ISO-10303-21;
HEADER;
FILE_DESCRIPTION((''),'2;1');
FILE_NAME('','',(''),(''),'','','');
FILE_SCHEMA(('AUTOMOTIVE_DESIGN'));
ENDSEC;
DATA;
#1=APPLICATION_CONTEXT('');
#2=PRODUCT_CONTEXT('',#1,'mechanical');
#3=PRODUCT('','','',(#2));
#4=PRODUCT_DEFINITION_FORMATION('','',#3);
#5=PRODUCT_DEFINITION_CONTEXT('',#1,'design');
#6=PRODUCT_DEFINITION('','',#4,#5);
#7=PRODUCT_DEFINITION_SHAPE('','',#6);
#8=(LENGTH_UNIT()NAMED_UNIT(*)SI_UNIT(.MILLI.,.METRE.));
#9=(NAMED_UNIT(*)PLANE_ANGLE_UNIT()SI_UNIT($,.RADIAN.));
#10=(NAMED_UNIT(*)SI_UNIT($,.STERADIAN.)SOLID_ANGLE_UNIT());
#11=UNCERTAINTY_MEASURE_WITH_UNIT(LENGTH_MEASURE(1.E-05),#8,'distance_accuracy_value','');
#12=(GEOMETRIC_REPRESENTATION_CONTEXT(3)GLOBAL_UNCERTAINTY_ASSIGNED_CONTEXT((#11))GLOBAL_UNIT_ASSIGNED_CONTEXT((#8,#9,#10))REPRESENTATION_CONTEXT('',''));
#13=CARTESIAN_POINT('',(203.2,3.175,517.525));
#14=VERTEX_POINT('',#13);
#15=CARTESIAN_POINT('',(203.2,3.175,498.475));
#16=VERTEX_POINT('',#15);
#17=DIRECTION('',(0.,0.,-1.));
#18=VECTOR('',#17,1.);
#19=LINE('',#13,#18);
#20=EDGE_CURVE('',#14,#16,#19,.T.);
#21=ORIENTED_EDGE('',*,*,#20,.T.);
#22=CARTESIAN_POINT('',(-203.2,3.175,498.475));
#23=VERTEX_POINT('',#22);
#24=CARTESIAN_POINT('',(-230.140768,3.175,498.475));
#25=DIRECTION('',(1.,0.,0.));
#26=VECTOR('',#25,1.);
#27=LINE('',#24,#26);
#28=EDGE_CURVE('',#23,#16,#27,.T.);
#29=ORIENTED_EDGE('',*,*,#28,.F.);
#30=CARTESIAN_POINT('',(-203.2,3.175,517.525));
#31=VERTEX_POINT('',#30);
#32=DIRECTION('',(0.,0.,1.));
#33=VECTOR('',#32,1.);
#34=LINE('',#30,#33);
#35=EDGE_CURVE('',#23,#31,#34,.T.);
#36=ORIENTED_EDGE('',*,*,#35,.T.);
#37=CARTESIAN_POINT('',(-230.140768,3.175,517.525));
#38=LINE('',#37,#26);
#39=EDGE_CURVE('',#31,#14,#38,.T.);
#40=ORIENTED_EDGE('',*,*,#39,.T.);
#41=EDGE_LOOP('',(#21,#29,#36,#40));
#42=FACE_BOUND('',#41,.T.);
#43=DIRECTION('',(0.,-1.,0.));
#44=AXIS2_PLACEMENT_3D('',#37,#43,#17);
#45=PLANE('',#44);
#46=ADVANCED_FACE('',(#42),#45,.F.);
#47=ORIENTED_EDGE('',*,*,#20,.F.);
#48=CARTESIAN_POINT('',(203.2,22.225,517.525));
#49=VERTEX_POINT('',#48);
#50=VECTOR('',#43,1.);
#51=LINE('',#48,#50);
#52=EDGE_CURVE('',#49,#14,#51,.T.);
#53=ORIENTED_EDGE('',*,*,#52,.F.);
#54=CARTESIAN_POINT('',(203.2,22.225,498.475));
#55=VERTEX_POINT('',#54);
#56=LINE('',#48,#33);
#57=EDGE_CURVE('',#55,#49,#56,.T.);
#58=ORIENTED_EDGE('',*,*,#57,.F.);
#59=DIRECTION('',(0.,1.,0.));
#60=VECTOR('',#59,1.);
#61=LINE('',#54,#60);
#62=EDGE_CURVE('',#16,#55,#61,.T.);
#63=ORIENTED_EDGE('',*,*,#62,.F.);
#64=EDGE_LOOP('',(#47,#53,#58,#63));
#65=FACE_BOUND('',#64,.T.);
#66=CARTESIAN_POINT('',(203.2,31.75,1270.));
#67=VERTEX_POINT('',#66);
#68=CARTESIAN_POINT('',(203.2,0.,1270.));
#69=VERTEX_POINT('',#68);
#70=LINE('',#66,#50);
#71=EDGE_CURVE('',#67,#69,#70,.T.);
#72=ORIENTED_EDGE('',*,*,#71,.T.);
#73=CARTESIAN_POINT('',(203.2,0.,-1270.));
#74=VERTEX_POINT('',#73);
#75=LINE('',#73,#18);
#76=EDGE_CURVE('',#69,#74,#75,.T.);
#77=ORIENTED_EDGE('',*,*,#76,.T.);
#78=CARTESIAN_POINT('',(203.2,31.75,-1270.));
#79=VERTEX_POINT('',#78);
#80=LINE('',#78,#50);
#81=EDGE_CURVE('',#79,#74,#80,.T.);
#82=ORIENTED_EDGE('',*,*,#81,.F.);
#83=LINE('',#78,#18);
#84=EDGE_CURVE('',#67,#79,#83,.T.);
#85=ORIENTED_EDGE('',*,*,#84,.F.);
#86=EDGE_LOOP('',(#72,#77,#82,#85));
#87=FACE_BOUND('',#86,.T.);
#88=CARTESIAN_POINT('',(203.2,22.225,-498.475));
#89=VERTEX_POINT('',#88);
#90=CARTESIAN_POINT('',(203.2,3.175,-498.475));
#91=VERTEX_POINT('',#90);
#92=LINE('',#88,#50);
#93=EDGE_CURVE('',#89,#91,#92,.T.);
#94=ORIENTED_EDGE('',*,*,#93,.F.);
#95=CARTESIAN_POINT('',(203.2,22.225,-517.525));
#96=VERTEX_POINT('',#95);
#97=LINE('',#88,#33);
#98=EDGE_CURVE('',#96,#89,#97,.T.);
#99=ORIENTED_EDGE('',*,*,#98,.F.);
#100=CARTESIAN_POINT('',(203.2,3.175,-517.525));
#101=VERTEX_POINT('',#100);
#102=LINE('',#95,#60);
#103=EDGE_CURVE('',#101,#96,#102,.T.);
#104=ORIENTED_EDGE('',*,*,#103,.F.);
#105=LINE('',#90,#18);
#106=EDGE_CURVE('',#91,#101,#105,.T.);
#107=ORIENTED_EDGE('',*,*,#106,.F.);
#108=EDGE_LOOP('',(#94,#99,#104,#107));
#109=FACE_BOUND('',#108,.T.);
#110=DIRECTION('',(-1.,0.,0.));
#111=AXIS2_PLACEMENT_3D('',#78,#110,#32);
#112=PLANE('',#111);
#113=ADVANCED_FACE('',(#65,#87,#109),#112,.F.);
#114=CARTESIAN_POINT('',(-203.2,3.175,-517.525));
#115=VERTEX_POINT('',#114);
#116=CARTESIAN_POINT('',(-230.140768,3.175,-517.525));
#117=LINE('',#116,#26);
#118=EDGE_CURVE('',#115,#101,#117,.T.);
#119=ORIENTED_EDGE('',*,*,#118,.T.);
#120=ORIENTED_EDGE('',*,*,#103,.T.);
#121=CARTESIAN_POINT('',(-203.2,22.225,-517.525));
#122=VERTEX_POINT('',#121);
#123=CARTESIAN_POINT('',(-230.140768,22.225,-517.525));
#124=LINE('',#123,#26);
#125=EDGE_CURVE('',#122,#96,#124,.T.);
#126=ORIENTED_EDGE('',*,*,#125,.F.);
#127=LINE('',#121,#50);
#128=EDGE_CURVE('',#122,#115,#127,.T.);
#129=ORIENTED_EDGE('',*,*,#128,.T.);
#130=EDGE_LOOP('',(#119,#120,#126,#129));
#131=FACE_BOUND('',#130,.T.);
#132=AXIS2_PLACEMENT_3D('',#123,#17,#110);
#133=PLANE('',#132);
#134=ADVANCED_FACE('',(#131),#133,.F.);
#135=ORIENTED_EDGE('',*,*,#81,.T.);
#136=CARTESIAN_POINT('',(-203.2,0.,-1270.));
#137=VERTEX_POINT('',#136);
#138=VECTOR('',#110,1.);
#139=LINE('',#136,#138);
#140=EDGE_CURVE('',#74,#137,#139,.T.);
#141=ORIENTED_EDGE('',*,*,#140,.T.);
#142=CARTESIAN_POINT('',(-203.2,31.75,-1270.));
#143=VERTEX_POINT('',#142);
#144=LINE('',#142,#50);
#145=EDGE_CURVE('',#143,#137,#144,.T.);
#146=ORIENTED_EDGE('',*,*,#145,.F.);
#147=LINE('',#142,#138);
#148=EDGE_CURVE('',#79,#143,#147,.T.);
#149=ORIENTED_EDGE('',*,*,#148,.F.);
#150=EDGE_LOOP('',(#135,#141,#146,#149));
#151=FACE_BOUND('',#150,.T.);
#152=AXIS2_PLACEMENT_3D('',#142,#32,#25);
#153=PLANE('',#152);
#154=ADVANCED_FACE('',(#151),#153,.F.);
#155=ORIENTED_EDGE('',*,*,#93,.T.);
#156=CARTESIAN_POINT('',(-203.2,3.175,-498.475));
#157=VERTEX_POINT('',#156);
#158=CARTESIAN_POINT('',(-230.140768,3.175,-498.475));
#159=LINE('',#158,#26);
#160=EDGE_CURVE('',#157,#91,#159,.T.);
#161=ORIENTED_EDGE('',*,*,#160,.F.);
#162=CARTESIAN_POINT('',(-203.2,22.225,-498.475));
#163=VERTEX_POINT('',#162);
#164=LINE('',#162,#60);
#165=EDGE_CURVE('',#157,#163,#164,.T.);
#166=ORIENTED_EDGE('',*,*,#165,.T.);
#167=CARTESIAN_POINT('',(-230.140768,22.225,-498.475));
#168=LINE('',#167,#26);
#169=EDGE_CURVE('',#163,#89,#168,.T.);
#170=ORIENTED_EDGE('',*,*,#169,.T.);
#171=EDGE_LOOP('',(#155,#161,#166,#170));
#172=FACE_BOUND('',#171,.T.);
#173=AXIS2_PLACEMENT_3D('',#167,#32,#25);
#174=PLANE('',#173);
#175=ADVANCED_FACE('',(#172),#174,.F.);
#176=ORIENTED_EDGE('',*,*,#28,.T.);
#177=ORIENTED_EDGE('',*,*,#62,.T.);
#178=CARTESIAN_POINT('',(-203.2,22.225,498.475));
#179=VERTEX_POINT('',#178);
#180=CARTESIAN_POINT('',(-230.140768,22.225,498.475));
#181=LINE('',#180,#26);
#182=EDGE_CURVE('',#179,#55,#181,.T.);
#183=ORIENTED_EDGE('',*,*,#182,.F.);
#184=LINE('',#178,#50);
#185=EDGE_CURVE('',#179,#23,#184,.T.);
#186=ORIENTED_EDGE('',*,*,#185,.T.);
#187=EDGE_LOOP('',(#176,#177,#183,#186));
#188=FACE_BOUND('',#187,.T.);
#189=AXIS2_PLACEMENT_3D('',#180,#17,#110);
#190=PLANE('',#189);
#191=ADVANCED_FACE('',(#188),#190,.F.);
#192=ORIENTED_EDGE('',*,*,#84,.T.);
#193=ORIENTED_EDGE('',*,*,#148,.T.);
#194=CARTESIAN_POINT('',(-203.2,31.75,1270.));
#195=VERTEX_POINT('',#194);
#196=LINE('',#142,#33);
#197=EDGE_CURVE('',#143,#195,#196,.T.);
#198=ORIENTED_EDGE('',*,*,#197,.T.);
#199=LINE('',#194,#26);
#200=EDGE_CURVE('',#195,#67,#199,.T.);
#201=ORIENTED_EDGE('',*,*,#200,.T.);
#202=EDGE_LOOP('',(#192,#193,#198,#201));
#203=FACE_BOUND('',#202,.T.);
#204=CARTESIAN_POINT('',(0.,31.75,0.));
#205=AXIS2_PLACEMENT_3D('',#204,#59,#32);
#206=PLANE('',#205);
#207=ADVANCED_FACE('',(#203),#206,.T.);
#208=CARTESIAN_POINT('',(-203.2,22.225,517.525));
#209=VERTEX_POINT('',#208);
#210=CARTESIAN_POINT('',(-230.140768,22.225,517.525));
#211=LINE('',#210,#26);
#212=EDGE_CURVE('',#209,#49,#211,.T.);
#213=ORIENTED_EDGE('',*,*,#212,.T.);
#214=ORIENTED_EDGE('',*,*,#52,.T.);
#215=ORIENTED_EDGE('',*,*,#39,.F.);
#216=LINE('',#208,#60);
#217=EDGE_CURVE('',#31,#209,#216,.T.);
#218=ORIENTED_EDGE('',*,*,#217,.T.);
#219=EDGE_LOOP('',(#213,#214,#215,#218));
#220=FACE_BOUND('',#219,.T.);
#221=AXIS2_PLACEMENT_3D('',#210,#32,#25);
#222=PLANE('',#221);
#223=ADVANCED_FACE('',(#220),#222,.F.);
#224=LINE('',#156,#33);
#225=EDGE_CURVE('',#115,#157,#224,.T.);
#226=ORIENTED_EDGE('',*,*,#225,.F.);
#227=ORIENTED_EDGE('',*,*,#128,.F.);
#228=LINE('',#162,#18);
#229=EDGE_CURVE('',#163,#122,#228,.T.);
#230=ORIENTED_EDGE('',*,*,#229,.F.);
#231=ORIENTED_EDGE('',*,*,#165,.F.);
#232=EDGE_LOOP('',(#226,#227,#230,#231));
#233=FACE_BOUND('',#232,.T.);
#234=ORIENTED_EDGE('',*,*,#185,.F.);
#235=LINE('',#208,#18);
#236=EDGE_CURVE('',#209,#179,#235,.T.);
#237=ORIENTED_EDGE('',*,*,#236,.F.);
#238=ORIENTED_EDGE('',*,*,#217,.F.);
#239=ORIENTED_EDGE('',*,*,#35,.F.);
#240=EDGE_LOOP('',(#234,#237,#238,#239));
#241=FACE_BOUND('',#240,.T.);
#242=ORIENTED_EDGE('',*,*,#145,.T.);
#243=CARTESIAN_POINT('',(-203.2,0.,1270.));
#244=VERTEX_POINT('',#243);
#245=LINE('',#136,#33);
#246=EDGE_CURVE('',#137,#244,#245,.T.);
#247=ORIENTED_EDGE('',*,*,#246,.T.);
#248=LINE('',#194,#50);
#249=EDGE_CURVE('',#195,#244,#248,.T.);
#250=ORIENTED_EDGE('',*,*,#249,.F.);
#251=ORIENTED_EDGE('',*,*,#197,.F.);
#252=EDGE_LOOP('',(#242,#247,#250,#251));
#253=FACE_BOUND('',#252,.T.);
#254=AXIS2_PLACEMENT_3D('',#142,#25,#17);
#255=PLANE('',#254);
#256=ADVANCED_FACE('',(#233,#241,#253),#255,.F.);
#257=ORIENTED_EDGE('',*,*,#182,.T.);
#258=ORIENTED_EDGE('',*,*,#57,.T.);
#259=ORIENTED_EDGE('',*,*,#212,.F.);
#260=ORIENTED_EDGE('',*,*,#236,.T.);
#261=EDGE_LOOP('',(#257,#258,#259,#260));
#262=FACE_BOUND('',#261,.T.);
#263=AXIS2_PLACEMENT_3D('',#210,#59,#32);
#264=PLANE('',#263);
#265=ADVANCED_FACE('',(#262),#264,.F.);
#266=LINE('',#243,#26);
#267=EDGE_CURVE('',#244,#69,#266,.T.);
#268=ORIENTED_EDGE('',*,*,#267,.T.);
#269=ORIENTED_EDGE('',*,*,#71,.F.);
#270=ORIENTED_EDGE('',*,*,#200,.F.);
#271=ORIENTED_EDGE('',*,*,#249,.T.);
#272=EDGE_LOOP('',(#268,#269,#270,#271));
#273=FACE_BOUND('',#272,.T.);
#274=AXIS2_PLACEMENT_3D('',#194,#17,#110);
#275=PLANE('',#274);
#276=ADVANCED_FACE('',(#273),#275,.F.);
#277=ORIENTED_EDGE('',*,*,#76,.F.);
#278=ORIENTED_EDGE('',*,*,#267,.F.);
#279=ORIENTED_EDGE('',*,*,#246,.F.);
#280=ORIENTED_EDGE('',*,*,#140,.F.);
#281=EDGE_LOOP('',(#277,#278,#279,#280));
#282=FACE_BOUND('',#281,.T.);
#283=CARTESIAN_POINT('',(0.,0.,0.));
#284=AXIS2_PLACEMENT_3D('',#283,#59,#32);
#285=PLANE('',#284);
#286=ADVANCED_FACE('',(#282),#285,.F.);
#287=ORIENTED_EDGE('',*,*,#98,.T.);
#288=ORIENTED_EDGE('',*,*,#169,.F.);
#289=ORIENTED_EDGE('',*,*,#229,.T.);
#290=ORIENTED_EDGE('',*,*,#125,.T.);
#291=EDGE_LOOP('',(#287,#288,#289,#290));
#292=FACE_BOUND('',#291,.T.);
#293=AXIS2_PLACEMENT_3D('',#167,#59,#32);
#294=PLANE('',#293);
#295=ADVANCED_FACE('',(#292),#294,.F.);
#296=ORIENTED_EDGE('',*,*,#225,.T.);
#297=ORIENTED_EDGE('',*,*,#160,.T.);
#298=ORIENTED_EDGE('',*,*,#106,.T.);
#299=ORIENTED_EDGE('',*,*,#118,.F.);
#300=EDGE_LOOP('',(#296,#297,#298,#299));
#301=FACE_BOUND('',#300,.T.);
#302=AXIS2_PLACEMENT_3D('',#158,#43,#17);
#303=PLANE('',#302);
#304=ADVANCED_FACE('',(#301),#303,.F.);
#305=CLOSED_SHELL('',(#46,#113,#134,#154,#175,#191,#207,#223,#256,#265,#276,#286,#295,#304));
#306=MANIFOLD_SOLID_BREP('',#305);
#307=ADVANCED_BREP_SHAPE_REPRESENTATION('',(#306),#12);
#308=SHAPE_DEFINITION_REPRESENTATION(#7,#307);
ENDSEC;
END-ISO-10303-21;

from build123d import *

# Parameters (mm, degrees)
SKETCH1_W           = 406.4
SKETCH1_H           = 2540
BOSS_EXTRUDE1_DEPTH = 31.75
SKETCH2_W           = 19.05
SKETCH2_H           = 19.05
CUT_EXTRUDE1_DEPTH  = 406.4


with BuildPart() as part:
    # Sketch1 → Boss-Extrude1 (new body)
    with BuildSketch(Plane(origin=(0, 0, 0), x_dir=(1, 0, 0), z_dir=(0, 1, 0))):
        Rectangle(SKETCH1_W, SKETCH1_H)
    extrude(amount=BOSS_EXTRUDE1_DEPTH)

    # Sketch2 → Cut-Extrude1 (cut)
    with BuildSketch(Plane(origin=(203.2, 0, 0), x_dir=(0, 0, -1), z_dir=(1, 0, 0))):
        with Locations((-508, 12.7)):
            Rectangle(SKETCH2_W, SKETCH2_H)
        with Locations((508, 12.7)):
            Rectangle(SKETCH2_W, SKETCH2_H)
    extrude(amount=-CUT_EXTRUDE1_DEPTH, mode=Mode.SUBTRACT)


solid = part.part
